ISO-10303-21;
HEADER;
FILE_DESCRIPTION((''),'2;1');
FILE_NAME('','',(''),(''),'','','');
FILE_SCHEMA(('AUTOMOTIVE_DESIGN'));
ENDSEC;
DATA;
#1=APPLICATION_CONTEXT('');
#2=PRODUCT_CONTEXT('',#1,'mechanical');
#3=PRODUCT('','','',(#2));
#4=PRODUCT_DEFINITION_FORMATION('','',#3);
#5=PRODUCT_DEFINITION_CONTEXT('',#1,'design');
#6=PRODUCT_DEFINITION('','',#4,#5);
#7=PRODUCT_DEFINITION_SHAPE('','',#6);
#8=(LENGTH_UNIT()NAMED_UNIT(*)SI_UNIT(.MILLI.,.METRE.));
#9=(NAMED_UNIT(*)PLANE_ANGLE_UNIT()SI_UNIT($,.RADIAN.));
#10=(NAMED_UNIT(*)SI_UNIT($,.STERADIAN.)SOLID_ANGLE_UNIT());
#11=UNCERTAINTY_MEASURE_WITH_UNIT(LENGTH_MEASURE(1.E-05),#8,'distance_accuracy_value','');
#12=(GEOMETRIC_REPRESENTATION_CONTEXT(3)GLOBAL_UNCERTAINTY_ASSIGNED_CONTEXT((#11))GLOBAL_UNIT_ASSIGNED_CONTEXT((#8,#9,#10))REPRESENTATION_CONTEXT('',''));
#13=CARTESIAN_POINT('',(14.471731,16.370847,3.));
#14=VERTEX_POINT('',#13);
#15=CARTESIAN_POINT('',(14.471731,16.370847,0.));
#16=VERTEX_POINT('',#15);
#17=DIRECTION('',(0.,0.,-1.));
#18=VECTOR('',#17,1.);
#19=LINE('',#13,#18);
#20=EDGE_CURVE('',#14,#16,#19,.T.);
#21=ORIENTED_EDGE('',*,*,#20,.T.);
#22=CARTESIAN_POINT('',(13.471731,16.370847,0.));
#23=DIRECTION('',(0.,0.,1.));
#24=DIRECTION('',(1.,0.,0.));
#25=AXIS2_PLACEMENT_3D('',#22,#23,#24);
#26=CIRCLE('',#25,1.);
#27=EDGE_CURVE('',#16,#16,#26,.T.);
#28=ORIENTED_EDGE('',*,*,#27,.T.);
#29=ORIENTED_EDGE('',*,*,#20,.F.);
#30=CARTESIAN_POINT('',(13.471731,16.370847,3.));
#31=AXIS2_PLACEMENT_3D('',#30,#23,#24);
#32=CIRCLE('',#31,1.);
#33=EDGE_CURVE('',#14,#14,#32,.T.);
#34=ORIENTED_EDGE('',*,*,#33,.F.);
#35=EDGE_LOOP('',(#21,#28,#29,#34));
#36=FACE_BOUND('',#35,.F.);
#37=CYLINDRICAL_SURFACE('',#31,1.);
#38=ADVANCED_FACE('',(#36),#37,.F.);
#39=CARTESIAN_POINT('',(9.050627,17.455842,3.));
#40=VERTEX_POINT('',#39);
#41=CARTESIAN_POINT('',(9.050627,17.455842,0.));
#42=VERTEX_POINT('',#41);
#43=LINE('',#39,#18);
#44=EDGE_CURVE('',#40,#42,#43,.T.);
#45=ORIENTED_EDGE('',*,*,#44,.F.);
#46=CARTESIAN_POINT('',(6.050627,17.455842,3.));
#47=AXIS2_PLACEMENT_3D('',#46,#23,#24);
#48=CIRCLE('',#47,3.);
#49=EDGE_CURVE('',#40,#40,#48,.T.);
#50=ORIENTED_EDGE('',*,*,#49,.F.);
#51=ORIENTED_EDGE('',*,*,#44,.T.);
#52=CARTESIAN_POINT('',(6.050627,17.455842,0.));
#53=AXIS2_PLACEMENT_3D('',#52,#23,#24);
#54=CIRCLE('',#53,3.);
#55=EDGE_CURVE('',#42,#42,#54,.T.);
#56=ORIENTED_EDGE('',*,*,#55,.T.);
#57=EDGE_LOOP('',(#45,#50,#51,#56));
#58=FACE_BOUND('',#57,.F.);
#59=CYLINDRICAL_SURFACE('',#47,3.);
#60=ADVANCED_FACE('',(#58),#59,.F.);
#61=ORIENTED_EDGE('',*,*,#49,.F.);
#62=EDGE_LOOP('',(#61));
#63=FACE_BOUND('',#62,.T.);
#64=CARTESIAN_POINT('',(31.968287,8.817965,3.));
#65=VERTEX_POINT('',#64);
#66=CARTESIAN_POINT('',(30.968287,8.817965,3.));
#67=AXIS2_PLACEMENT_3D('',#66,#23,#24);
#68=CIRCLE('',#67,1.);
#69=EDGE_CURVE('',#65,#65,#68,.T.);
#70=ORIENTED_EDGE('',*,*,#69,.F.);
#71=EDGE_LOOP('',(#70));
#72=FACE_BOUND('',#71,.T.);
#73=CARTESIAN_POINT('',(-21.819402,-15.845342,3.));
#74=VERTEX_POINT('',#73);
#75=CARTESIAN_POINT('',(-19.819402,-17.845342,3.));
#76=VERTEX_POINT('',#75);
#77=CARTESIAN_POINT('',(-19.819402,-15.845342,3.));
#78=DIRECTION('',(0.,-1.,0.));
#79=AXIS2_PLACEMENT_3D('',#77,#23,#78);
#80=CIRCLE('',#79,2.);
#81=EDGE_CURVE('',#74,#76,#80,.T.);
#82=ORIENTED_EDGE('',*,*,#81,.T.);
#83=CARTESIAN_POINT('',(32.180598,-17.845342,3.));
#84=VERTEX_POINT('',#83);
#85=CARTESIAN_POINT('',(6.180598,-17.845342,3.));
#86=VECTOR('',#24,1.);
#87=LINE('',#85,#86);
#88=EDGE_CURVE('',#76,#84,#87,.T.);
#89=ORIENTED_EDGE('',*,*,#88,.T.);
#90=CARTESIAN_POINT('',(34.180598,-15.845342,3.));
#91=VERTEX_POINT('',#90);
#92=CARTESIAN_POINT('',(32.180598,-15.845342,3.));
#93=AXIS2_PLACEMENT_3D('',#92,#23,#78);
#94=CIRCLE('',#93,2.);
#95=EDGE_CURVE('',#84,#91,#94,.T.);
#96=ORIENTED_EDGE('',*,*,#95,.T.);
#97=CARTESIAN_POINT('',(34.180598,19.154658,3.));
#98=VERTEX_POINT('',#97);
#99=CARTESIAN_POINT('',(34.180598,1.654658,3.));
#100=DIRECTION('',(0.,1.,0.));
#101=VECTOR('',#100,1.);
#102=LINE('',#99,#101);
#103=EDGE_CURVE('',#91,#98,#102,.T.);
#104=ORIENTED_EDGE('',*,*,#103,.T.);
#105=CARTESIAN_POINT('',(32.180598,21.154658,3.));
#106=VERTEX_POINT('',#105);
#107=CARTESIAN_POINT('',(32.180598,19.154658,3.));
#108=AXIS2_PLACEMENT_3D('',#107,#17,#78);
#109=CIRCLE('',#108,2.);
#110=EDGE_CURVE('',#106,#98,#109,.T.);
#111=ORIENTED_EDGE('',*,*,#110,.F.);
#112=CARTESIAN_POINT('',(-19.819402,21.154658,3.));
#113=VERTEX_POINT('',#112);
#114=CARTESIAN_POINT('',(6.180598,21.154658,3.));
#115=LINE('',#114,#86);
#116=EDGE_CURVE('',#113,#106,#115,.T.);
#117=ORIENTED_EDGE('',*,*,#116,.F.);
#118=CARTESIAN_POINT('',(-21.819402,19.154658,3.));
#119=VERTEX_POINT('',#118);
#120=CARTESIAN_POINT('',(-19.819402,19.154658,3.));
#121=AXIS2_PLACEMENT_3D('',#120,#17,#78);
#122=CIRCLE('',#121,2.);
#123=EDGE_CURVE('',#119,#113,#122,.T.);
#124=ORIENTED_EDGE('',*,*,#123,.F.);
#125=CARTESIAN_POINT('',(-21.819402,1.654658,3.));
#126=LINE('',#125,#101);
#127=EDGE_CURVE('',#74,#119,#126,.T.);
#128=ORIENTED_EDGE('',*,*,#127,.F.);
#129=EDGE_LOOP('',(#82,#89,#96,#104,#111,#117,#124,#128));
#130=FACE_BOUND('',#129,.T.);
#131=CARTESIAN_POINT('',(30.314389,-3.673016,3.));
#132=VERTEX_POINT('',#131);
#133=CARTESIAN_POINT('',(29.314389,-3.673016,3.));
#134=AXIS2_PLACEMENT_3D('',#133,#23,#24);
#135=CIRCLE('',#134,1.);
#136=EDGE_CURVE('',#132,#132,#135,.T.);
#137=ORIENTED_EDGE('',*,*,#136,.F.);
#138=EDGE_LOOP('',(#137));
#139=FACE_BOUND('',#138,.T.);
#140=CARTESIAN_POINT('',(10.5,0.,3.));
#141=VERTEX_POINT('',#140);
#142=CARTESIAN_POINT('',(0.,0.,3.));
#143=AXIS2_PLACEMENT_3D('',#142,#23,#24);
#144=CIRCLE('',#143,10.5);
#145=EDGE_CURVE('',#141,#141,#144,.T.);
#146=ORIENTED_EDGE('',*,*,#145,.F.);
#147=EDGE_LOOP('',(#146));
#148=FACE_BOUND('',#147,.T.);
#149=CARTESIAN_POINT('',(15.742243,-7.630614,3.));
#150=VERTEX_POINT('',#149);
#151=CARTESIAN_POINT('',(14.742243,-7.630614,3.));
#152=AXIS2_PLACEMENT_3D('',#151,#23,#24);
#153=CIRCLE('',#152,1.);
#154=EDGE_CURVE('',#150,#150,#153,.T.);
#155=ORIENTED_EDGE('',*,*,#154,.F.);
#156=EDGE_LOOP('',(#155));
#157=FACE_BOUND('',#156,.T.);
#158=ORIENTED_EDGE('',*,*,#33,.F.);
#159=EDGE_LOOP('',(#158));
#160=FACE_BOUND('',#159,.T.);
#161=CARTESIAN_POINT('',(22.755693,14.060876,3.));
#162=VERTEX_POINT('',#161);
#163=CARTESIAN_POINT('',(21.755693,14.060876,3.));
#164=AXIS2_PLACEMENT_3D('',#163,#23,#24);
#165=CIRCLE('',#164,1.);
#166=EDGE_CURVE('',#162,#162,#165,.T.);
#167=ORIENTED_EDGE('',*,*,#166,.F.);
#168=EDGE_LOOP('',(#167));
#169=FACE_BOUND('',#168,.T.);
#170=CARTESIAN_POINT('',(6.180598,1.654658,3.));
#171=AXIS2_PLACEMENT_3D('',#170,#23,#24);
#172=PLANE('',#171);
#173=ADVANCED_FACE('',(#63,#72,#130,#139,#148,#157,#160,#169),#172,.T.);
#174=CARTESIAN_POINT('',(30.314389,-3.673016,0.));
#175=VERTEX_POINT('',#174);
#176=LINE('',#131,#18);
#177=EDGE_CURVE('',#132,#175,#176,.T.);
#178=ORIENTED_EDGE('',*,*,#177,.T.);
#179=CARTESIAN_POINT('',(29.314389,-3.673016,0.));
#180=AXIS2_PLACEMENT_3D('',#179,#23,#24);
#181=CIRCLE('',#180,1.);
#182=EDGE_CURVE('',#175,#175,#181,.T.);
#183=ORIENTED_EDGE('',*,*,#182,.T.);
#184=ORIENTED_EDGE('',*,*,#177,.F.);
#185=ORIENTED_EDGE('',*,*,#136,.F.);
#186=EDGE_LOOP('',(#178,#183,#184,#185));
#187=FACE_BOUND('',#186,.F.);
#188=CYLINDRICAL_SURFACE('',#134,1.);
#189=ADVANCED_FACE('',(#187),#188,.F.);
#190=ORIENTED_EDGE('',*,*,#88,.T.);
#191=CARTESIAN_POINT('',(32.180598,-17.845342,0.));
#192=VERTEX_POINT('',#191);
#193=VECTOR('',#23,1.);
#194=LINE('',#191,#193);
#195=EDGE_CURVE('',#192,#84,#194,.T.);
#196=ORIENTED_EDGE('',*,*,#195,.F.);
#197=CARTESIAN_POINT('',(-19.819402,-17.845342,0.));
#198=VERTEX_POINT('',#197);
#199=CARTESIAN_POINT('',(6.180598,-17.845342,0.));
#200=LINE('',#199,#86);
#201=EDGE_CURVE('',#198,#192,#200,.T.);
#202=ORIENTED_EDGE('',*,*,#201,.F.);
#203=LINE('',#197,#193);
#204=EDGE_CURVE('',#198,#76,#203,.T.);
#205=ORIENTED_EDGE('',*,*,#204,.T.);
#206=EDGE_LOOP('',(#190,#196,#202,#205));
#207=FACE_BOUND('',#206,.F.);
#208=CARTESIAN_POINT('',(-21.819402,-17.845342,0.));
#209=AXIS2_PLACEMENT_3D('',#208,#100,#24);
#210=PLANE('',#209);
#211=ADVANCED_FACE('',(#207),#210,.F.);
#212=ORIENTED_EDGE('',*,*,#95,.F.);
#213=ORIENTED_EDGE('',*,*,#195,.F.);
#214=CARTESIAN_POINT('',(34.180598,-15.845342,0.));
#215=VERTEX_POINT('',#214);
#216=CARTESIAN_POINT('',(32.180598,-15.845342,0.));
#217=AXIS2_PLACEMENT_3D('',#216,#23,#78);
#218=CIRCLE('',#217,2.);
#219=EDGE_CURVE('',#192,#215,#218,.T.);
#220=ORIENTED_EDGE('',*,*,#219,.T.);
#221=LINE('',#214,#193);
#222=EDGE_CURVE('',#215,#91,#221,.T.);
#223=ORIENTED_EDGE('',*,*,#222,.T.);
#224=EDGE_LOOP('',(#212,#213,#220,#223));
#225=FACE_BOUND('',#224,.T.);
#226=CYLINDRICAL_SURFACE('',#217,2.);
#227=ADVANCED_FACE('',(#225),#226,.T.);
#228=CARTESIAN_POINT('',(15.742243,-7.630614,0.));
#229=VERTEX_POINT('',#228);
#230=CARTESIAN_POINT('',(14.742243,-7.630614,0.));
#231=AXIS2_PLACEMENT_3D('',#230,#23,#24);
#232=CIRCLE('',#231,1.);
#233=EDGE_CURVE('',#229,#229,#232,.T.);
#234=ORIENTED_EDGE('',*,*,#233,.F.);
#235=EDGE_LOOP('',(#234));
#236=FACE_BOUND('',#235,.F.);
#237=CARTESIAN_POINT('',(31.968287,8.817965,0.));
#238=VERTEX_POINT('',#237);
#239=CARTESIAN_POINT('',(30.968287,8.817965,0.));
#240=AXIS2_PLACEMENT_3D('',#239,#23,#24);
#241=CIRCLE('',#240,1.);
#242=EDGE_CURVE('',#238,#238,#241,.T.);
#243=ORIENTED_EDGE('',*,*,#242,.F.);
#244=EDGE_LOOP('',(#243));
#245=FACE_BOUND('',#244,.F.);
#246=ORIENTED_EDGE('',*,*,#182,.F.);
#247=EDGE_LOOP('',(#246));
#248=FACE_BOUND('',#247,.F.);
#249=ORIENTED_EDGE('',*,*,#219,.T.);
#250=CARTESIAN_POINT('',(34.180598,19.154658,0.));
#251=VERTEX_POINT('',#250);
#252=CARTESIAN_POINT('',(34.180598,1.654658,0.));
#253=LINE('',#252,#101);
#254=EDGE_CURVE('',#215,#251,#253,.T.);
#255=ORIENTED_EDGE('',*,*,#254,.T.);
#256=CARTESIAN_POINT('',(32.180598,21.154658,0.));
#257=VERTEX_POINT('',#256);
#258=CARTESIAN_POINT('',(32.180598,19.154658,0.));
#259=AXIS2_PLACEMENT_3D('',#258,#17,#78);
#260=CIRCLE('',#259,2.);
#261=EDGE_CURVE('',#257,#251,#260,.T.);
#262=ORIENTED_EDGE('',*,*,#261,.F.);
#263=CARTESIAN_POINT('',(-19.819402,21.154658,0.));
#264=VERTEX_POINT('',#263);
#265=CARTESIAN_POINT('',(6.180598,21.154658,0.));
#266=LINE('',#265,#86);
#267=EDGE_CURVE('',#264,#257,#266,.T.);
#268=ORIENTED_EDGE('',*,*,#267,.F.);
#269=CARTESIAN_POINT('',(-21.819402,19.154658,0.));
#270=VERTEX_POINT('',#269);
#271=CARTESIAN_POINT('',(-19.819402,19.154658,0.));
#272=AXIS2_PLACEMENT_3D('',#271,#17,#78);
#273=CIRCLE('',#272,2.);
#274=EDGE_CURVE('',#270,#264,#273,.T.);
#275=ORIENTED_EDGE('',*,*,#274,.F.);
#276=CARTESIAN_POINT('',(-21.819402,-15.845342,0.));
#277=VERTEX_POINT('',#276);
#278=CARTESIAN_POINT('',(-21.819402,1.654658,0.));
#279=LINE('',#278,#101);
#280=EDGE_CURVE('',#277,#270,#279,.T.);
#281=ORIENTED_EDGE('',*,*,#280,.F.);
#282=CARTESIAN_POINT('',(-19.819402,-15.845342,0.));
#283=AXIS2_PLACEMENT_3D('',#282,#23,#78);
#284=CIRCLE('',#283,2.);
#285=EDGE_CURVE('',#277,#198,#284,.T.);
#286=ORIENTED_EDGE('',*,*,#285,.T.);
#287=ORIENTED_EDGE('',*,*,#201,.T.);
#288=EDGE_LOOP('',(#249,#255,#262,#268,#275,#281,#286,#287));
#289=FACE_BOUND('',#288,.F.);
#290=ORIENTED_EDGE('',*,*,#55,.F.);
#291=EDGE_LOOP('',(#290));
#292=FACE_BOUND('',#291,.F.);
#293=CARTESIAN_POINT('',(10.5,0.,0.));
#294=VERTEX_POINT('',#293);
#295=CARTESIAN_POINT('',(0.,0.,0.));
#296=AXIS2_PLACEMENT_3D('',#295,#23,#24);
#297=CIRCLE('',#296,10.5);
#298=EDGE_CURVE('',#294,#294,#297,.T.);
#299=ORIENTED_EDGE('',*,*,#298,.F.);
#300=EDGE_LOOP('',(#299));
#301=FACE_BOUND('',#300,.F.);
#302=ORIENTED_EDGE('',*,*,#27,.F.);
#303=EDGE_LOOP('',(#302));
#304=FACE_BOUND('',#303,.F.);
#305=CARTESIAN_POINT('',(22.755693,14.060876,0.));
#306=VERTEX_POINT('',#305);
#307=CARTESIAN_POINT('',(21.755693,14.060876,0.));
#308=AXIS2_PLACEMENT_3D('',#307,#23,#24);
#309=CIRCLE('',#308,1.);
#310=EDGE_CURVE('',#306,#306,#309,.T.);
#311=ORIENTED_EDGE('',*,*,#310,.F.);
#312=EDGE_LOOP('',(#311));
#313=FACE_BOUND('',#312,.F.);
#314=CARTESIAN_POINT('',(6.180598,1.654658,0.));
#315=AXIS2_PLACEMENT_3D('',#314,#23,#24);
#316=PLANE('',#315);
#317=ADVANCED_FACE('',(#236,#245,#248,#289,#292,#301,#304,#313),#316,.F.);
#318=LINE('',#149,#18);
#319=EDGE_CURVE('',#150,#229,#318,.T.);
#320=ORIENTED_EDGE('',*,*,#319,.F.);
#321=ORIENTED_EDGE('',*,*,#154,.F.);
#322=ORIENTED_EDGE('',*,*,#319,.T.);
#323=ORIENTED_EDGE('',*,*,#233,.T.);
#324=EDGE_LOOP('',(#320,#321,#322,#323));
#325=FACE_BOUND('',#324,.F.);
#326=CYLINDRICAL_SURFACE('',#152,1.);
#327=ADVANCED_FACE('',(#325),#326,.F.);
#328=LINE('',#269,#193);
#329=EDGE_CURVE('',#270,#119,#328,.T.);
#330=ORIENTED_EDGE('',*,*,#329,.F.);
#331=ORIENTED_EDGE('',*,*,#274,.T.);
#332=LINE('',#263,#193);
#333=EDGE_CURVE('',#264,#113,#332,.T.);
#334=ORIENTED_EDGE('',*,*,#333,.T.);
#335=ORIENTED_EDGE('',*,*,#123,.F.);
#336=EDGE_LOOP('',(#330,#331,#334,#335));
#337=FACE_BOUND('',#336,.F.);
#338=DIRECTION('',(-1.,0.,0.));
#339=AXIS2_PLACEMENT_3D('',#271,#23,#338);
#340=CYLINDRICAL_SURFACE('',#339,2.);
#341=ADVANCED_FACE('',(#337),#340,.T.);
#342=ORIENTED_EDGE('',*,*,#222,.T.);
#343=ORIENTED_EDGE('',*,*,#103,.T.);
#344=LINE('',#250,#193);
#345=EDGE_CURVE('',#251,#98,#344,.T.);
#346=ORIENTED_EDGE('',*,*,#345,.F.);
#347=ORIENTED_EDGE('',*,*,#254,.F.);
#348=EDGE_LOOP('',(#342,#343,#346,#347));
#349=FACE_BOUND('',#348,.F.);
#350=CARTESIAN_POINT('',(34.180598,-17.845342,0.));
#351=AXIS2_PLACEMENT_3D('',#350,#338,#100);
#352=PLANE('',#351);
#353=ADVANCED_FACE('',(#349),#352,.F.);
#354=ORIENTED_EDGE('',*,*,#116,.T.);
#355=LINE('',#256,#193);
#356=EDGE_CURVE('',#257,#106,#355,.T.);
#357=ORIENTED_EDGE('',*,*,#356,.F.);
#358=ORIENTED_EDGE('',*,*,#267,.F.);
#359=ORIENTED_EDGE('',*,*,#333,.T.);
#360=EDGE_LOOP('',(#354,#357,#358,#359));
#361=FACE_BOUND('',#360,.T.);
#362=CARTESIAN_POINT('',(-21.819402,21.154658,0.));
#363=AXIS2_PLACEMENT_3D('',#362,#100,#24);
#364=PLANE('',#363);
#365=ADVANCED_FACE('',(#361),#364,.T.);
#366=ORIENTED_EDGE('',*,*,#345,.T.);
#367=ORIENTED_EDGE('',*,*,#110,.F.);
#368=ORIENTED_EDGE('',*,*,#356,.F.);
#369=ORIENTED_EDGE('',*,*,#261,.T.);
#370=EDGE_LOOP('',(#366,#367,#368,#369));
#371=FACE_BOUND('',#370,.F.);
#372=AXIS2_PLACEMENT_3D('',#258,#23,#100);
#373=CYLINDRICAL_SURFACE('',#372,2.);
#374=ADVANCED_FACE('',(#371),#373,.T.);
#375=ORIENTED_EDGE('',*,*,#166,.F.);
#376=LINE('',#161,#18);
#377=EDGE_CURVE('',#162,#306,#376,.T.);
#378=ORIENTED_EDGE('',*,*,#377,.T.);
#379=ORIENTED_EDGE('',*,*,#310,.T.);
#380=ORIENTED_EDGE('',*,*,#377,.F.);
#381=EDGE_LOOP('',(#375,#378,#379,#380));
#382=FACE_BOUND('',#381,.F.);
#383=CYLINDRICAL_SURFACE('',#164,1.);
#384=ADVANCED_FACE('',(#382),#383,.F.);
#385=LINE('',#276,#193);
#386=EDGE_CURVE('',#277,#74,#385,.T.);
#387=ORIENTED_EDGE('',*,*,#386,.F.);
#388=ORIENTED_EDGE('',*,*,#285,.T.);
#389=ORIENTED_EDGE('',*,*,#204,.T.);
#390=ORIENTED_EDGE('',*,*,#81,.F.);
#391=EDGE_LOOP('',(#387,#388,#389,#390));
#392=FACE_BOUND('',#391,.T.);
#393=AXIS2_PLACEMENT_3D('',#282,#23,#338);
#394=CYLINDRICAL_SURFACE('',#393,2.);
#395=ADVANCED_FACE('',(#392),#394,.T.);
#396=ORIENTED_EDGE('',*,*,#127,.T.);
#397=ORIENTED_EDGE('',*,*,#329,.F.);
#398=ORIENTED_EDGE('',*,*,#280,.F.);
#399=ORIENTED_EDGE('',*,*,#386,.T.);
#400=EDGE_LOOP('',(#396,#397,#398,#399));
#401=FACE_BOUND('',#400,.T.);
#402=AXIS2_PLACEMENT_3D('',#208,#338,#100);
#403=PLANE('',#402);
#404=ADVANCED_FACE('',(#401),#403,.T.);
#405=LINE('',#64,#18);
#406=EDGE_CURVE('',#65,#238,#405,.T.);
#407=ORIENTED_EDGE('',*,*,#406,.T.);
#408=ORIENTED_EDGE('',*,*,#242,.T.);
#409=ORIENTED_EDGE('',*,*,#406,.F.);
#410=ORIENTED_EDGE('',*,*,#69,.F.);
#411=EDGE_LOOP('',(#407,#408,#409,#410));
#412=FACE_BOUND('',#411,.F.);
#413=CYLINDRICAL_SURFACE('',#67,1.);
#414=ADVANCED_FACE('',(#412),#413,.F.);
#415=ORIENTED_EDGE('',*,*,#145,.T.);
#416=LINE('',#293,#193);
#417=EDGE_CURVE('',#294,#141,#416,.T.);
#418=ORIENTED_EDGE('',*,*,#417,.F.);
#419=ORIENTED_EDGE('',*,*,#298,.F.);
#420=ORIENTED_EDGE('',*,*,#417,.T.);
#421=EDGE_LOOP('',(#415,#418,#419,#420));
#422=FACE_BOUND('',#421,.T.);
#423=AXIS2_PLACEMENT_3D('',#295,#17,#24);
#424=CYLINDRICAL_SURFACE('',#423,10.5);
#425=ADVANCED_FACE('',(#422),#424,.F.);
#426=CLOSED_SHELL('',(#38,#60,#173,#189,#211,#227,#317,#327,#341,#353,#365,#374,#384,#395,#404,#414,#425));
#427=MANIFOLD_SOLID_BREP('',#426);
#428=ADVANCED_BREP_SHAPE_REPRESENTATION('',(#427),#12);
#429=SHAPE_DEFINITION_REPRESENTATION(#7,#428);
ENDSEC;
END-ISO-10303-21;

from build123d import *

# Parameters (mm, degrees)
F0_W     = 56
F0_H     = 39
F0_R     = 10.5
F1_DEPTH = 3
F2_R     = 2
F3_R     = 1
F3_R_2   = 3
F4_DEPTH = 3


with BuildPart() as f1:
    # F0 (on Top) → F1 (new body)
    with BuildSketch(Plane.XY):
        with Locations((6.180598, 1.654658)):
            Rectangle(F0_W, F0_H)
        Circle(F0_R, mode=Mode.SUBTRACT)
    extrude(amount=F1_DEPTH)

    # F2
    f2_edges = [f1.edges().sort_by_distance(p)[0] for p in [
        (-21.819402, -17.845342, 1.5),
        (34.180598, -17.845342, 1.5),
        (34.180598, 21.154658, 1.5),
        (-21.819402, 21.154658, 1.5),
    ]]
    fillet(f2_edges, radius=F2_R)

    # F3 (on face) → F4 (cut, through all)
    with BuildSketch(Plane.XY.offset(3)):
        with Locations((29.314389, -3.673016)):
            Circle(F3_R)
        with Locations((14.742243, -7.630614)):
            Circle(F3_R)
        with Locations((30.968287, 8.817965)):
            Circle(F3_R)
        with Locations((21.755693, 14.060876)):
            Circle(F3_R)
        with Locations((13.471731, 16.370847)):
            Circle(F3_R)
        with Locations((6.050627, 17.455842)):
            Circle(F3_R_2)
    extrude(amount=-F4_DEPTH, mode=Mode.SUBTRACT)


solid = f1.part
